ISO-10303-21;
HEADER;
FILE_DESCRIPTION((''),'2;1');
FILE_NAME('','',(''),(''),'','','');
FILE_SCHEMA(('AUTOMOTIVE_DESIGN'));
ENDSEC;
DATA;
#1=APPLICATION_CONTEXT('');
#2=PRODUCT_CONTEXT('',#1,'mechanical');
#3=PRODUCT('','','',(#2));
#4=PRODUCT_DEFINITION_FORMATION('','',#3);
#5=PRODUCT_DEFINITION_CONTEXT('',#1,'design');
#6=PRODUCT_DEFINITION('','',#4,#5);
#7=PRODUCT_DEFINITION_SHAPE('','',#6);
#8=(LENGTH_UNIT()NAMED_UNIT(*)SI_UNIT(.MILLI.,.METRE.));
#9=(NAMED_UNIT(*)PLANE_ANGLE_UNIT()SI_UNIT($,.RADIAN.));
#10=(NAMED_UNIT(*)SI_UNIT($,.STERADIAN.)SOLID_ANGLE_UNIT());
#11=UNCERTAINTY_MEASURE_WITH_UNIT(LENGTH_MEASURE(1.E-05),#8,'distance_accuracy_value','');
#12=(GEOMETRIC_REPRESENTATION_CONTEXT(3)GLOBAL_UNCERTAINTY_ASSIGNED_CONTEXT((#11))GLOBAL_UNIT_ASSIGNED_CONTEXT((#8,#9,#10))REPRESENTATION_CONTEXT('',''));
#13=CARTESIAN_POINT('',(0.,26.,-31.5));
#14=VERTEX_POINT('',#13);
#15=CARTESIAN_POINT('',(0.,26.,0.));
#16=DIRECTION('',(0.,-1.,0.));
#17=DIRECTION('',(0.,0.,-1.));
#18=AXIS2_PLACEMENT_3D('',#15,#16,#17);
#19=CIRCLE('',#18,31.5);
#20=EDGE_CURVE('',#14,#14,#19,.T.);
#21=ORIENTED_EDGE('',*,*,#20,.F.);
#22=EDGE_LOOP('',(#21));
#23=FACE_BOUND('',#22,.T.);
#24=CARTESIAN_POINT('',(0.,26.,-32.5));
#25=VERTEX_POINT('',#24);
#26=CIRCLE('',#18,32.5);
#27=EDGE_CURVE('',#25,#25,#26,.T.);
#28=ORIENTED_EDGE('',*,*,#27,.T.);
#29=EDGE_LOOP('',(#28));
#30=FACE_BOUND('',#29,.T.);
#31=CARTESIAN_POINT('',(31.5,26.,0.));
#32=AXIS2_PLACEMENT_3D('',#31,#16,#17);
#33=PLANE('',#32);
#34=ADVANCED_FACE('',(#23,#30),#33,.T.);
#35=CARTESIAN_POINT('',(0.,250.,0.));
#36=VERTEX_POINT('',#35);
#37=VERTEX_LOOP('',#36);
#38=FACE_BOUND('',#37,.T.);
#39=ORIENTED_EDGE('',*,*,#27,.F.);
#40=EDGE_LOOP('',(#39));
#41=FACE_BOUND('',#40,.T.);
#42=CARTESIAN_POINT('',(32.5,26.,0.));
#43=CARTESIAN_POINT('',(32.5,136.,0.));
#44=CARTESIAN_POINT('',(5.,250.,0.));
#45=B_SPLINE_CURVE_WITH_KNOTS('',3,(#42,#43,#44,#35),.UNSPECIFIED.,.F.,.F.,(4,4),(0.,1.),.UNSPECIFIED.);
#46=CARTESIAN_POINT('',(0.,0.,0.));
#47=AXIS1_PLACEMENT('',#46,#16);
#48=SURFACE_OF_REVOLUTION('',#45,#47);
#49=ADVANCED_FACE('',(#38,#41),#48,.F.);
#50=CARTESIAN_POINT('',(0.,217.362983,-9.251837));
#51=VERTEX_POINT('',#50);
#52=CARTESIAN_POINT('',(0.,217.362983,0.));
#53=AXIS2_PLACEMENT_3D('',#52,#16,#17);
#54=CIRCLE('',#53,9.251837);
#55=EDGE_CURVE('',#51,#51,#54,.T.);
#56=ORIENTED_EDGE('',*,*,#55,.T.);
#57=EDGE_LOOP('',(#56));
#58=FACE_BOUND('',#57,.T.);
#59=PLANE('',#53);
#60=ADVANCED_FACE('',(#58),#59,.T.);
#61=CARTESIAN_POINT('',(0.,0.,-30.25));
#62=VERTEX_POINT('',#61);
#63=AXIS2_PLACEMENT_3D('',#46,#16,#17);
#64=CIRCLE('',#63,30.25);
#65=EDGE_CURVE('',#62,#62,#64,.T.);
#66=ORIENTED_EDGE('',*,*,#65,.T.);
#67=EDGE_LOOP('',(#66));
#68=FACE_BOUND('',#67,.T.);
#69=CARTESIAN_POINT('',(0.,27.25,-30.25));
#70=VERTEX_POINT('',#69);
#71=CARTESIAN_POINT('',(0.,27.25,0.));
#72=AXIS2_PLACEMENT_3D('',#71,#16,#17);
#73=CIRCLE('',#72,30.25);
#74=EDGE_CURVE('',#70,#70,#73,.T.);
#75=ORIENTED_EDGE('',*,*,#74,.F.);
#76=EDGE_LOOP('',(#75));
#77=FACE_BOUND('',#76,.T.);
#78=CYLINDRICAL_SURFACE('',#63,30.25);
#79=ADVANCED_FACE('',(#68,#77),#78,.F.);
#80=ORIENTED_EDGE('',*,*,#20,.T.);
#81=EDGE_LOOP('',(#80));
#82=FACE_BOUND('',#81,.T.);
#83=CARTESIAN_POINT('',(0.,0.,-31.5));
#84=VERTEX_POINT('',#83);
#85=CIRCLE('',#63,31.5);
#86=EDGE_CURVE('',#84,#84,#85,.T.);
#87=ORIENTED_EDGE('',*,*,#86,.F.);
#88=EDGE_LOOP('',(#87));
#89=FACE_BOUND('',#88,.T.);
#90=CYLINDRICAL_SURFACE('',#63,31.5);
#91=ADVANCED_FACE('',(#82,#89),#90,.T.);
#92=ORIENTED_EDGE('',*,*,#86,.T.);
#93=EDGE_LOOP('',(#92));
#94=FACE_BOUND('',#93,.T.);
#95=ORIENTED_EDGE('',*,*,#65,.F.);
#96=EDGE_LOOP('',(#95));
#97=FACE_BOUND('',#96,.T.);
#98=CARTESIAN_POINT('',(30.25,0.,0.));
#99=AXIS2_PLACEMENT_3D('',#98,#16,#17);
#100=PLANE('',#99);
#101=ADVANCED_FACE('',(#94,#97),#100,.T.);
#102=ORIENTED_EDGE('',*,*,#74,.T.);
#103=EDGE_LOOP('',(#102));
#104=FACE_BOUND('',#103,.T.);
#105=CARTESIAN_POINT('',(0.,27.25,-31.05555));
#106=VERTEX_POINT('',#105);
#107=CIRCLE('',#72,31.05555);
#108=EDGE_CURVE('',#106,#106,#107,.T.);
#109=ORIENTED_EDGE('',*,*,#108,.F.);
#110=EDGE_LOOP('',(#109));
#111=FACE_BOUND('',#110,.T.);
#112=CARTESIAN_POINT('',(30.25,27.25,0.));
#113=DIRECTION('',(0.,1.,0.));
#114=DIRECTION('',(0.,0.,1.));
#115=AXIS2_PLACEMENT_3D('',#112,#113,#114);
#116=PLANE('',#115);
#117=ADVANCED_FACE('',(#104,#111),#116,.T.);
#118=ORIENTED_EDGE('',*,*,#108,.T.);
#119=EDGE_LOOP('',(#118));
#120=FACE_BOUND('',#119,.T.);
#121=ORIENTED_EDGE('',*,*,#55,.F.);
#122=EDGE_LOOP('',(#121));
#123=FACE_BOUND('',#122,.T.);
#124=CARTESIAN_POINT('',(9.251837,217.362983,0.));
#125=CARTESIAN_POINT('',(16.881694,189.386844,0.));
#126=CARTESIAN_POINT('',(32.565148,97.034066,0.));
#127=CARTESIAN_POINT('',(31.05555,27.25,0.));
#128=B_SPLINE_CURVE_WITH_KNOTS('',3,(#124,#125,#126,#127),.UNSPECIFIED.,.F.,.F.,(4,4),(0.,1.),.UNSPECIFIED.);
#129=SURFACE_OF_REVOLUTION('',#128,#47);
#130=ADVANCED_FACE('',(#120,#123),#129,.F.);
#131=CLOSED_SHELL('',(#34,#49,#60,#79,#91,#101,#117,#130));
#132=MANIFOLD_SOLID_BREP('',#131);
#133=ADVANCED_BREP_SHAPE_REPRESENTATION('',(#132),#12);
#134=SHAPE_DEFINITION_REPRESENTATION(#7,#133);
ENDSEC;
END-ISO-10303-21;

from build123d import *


with BuildPart() as part:
    # Esboço1 → Revolução1 (revolve)
    with BuildSketch(Plane.XY, mode=Mode.PRIVATE) as revolu_o1_sk:
        with BuildLine():
            Line((31.5, 0), (31.5, 26))
            Line((31.5, 26), (32.5, 26))
            add(Edge.make_bspline(
                [(32.5, 26), (32.5, 136), (5, 250), (0, 250)],
                knots=[0, 0, 0, 0, 1, 1, 1, 1], degree=3))
            Line((0, 250), (0, 217.362983304))
            Line((0, 217.362983304), (9.251837337, 217.362983304))
            add(Edge.make_bspline(
                [(31.055550101, 27.25), (32.565147741, 97.034066377), (16.88169364, 189.386843526), (9.251837337, 217.362983304)],
                knots=[0, 0, 0, 0, 1, 1, 1, 1], degree=3))
            Line((31.055550101, 27.25), (30.25, 27.25))
            Line((30.25, 27.25), (30.25, 1.25))
            Line((30.25, 1.25), (30.25, 0))
            Line((30.25, 0), (31.5, 0))
        make_face()
    revolve(revolu_o1_sk.sketch.rotate(Axis((0, 0, 0), (0, 1, 0)), 90), axis=Axis((0, 0, 0), (0, 1, 0)))


solid = part.part
